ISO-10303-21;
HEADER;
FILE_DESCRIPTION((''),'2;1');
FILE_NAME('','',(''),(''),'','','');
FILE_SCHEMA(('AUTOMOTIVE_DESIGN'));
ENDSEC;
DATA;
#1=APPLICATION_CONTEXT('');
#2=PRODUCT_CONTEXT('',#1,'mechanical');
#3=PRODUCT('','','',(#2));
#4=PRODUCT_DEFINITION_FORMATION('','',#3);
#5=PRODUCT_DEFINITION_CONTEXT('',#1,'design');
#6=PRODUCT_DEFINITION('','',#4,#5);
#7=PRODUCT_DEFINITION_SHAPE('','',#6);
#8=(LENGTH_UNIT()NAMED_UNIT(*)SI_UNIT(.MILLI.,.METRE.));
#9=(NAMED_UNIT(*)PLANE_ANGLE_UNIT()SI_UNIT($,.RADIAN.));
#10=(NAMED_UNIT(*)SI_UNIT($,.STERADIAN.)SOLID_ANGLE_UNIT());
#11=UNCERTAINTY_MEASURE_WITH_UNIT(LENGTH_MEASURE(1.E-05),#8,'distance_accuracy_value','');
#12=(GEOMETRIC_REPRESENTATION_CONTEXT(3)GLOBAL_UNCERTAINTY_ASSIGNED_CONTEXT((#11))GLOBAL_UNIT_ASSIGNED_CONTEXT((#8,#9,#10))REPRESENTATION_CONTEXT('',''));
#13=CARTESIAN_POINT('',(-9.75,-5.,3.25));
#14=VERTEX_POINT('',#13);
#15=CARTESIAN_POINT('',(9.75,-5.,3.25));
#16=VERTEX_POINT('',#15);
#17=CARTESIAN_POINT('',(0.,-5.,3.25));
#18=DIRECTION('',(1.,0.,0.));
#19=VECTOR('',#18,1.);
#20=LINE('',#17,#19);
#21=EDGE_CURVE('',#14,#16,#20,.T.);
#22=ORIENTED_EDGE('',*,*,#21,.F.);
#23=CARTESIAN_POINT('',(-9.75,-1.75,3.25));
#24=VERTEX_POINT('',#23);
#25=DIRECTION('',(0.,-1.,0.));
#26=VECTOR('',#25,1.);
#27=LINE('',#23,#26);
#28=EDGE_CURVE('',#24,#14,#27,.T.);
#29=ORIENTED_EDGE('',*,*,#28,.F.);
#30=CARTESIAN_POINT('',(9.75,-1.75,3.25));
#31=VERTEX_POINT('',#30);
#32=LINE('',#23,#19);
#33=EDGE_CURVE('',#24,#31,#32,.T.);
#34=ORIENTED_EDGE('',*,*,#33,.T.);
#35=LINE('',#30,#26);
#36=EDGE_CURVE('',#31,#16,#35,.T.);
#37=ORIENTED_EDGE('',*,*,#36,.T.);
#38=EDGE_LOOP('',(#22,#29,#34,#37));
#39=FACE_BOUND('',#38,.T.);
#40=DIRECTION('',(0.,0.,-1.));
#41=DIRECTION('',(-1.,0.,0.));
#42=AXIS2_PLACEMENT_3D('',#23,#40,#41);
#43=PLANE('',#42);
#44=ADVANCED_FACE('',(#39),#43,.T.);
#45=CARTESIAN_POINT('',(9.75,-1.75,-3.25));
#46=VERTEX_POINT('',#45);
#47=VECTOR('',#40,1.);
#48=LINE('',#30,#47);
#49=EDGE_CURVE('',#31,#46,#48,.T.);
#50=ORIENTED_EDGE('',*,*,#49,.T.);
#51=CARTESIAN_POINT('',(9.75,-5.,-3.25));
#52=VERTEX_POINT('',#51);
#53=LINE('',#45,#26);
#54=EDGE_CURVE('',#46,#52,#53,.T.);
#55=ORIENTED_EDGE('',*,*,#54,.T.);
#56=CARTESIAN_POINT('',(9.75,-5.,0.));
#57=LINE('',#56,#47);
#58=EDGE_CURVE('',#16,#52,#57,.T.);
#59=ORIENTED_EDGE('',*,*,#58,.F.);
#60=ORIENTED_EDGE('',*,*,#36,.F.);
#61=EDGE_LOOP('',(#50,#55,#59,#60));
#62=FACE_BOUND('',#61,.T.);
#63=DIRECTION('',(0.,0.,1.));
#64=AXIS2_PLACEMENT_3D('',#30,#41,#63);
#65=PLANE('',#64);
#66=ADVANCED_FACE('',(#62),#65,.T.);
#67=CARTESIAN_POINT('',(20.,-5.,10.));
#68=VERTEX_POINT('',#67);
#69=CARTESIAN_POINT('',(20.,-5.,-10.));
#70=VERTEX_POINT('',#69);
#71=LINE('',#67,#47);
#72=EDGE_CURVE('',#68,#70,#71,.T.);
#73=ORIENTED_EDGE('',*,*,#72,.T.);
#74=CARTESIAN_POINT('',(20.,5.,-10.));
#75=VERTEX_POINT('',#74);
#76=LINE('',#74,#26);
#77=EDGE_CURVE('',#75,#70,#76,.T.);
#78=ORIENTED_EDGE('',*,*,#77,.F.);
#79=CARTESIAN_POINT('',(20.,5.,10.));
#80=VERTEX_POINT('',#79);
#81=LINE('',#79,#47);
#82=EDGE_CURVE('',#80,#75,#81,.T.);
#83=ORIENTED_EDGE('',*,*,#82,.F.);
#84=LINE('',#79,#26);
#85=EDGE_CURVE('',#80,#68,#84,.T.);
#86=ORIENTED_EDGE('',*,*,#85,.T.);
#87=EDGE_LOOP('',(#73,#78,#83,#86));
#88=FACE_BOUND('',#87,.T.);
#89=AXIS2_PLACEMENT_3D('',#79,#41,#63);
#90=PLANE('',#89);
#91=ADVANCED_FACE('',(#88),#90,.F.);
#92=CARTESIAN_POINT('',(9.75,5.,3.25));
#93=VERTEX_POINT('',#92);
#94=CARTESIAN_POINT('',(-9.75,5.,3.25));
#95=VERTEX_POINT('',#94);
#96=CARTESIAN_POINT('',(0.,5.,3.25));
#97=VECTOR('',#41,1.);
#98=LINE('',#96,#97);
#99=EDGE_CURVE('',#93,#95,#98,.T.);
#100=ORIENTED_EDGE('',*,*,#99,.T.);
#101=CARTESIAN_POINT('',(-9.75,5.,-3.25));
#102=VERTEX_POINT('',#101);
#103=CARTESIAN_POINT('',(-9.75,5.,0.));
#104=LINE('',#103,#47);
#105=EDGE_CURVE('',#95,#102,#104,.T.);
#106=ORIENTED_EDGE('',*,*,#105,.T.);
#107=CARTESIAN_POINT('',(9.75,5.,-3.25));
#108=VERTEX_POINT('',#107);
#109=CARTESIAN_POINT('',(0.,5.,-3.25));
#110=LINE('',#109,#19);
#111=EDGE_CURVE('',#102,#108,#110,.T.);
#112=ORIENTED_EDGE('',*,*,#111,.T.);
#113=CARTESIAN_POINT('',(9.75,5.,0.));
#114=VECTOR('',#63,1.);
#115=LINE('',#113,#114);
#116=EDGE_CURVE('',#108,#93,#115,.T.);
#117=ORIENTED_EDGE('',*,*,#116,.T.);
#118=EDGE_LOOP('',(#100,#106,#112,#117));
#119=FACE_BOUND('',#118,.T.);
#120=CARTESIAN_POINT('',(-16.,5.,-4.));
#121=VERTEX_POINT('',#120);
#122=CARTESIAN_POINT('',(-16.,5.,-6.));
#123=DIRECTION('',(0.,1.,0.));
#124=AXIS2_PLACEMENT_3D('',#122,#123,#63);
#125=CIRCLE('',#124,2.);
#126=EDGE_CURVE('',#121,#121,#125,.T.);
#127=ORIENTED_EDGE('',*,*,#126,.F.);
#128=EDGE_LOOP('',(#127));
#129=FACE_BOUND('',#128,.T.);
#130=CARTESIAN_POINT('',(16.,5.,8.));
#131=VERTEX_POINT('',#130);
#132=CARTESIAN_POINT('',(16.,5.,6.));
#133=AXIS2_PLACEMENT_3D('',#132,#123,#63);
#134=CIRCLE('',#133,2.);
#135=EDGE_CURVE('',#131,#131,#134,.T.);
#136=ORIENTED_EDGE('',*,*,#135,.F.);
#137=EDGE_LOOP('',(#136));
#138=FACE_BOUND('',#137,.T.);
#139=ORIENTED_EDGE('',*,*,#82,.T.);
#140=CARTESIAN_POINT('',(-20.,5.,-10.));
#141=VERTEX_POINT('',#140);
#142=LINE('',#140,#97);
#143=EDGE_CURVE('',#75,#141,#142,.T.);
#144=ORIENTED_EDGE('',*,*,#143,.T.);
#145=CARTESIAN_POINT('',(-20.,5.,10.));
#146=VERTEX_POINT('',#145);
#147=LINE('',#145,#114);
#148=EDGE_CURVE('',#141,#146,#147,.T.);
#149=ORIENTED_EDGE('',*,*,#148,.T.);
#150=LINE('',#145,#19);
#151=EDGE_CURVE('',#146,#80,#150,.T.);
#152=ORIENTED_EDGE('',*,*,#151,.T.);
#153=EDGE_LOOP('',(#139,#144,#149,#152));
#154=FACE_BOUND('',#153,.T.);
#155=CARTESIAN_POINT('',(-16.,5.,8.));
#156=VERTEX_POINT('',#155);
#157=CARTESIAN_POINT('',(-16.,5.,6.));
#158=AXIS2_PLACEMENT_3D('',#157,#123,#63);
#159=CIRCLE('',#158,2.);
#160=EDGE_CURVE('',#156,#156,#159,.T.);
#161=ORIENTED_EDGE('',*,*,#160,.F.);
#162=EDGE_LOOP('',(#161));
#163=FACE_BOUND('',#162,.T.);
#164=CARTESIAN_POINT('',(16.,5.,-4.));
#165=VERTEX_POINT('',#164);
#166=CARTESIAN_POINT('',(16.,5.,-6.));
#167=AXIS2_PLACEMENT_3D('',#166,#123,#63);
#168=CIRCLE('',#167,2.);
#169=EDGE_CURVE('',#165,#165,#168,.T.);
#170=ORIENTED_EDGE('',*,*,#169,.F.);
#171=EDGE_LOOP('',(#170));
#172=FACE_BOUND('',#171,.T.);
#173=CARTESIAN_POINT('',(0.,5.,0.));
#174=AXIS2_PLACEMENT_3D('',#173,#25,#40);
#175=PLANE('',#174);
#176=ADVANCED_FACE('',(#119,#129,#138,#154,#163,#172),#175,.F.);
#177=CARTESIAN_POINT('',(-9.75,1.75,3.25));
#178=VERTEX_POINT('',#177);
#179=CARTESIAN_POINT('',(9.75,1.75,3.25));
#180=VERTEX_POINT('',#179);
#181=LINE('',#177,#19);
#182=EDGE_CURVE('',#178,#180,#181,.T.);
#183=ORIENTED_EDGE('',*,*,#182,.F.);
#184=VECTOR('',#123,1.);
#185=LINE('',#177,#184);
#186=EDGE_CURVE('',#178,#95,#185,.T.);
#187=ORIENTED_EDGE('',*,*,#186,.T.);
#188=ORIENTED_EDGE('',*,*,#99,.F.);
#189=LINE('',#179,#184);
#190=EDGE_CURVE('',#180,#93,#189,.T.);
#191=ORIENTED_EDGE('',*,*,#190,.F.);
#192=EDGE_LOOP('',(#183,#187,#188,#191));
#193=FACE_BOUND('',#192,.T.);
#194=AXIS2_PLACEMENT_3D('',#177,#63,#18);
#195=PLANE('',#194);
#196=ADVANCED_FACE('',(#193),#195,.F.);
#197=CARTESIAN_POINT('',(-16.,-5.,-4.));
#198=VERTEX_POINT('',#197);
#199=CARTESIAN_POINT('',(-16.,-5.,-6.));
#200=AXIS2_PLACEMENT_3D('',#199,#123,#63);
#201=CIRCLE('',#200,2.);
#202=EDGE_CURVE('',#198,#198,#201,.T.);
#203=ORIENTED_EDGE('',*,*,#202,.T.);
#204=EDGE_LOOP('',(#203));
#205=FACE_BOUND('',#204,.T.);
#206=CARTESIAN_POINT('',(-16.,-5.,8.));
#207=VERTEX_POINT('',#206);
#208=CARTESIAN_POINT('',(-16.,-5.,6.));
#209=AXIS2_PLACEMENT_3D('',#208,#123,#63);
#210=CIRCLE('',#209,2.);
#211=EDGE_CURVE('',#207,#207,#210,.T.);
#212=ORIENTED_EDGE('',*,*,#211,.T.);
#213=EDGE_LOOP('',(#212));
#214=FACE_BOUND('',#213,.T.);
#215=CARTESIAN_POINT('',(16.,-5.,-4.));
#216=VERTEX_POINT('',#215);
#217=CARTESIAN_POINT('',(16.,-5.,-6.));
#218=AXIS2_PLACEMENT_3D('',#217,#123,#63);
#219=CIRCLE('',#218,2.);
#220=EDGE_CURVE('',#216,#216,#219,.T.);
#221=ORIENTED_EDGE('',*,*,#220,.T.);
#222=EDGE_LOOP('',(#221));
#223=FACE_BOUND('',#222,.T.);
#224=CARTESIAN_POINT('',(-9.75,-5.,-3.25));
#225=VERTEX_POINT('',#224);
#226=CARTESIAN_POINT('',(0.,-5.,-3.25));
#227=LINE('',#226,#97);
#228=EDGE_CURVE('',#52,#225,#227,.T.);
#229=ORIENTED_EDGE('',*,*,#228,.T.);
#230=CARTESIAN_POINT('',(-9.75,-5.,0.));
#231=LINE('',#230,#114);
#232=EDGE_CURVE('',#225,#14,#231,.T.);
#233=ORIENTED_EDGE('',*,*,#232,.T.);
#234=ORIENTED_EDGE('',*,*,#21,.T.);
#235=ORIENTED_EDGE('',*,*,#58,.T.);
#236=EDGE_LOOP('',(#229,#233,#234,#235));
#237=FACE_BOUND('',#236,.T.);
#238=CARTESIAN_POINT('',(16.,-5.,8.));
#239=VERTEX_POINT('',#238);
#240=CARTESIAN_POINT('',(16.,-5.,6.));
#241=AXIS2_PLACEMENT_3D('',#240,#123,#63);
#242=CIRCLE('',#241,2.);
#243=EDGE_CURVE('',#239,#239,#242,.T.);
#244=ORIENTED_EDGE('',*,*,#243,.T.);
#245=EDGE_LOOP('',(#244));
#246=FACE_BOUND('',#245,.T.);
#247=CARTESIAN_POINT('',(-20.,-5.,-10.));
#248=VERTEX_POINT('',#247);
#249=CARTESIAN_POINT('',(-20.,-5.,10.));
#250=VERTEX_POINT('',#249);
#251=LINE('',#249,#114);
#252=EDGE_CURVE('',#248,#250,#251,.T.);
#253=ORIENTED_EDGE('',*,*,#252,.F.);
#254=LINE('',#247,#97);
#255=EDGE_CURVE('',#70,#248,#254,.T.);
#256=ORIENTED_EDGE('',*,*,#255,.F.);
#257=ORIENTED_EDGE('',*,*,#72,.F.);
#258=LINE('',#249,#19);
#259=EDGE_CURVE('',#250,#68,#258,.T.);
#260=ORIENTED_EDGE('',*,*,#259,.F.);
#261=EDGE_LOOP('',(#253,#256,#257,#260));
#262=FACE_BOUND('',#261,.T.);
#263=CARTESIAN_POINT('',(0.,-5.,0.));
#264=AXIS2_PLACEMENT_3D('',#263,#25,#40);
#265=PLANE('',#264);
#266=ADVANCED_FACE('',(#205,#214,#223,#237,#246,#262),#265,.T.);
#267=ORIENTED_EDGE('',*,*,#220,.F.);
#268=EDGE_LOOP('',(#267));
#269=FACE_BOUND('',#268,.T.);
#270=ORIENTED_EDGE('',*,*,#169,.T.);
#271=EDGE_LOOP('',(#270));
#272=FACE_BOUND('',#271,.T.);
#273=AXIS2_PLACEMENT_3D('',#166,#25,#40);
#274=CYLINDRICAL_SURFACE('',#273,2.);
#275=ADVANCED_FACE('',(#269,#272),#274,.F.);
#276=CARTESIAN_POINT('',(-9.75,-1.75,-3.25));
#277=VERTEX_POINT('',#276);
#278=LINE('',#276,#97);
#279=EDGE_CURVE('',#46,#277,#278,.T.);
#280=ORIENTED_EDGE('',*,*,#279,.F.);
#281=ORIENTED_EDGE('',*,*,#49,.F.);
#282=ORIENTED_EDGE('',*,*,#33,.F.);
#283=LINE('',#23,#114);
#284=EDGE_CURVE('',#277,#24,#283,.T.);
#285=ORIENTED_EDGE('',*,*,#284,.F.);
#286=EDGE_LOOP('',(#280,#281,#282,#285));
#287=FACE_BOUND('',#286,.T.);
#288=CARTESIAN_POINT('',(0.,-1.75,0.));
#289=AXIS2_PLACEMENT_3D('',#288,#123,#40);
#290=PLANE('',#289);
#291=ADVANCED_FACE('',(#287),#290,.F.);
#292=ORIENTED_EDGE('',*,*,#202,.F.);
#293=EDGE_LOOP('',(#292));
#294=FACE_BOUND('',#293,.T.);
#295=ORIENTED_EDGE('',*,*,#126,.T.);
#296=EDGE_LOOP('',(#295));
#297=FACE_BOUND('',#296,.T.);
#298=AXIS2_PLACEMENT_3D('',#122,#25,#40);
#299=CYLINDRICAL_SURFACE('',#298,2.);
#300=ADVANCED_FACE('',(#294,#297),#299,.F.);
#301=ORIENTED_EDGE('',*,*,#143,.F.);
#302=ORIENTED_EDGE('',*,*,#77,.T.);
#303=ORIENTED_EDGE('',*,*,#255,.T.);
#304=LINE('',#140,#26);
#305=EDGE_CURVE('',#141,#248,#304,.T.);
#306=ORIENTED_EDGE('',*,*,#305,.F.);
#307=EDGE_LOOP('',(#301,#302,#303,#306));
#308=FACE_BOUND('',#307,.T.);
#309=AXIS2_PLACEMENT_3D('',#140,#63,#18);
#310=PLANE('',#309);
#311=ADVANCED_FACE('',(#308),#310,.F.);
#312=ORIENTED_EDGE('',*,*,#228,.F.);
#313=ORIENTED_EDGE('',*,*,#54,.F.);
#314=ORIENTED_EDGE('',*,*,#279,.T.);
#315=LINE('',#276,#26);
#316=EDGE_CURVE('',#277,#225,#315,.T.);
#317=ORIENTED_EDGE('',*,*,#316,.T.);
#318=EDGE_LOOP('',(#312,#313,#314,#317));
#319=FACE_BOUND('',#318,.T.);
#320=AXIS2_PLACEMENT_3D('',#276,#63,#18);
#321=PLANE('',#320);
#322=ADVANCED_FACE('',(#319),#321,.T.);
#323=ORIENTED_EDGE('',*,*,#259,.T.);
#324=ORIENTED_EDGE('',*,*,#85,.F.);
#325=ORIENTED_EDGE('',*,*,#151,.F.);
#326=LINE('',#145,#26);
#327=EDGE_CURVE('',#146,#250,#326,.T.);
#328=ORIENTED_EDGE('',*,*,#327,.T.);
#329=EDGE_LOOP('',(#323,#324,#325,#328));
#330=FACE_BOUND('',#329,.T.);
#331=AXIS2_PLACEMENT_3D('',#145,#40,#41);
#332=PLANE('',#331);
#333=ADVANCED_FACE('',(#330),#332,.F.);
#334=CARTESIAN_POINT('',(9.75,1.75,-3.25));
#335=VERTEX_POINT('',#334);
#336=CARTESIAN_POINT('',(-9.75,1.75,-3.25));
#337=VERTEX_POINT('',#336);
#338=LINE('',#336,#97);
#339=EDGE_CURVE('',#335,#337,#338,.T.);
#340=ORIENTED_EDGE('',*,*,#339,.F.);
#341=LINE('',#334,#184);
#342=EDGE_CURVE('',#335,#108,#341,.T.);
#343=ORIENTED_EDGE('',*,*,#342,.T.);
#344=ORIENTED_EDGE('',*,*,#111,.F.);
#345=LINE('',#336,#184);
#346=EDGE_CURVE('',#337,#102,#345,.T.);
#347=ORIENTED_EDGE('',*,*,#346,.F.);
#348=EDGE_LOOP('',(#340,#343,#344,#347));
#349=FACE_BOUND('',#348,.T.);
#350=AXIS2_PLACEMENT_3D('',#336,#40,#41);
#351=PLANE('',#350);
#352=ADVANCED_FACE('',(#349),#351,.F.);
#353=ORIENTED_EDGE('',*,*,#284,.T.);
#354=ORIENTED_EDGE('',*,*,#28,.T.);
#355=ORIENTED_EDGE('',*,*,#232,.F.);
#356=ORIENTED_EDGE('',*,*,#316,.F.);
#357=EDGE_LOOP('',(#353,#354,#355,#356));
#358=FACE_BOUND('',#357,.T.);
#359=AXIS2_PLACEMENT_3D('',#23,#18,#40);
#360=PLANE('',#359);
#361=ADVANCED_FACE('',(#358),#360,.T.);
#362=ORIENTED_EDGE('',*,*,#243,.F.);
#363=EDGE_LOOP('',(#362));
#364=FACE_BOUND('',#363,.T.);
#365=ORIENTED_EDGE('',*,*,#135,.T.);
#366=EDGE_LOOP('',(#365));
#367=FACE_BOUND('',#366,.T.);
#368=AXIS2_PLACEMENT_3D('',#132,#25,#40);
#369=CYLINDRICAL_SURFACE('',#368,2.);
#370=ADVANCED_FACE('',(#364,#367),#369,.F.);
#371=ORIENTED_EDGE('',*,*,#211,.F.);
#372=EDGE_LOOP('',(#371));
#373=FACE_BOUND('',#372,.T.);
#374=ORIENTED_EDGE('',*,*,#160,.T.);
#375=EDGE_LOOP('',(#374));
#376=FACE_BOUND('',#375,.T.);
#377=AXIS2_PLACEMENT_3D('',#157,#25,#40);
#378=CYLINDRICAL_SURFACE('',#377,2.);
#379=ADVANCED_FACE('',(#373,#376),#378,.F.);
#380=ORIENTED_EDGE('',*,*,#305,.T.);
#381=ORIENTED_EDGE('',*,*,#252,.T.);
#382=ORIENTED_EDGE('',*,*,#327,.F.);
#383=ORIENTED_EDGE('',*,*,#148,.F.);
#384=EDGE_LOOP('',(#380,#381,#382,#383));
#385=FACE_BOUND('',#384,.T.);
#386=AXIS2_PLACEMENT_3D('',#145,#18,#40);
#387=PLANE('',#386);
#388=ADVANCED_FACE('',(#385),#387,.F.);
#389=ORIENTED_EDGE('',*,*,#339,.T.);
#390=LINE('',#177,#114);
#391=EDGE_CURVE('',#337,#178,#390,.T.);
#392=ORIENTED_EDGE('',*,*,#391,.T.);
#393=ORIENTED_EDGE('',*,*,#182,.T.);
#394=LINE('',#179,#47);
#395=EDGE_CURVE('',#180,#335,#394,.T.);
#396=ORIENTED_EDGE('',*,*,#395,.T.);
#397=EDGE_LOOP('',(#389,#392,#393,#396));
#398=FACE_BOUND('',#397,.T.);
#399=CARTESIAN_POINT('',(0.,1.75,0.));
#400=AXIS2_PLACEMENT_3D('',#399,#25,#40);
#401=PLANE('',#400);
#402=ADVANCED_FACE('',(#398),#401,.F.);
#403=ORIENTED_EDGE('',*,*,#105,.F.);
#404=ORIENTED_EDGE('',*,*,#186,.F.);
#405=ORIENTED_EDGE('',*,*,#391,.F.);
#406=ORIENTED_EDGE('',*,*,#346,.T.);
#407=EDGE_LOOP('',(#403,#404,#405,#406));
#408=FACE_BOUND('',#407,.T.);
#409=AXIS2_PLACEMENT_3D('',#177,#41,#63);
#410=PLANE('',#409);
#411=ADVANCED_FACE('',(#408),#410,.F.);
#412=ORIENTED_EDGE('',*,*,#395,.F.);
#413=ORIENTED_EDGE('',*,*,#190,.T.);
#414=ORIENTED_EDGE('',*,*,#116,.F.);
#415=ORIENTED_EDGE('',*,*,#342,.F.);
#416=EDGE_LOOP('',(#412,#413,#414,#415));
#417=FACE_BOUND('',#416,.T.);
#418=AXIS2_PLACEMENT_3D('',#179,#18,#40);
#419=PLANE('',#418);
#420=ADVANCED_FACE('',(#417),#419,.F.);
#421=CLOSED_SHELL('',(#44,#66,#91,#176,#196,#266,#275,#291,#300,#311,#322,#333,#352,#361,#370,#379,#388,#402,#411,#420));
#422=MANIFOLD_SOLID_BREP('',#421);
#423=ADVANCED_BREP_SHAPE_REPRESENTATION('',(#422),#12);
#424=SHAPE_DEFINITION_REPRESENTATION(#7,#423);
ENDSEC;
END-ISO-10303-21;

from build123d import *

# Parameters (mm, degrees)
SKETCH1_W           = 40
SKETCH1_H           = 20
SKETCH1_R           = 2
BOSS_EXTRUDE1_DEPTH = 5
SKETCH2_W           = 19.5
SKETCH2_H           = 6.5
CUT_EXTRUDE1_DEPTH  = 3.25


with BuildPart() as part:
    # Sketch1 → Boss-Extrude1 (new, symmetric)
    with BuildSketch(Plane(origin=(0, 0, 0), x_dir=(1, 0, 0), z_dir=(0, 1, 0))):
        Rectangle(SKETCH1_W, SKETCH1_H)
        with Locations(Location((-16, 6, 0), (0, 0, 270))):
            Circle(SKETCH1_R, mode=Mode.SUBTRACT)
        with Locations(Location((16, 6, 0), (0, 0, 270))):
            Circle(SKETCH1_R, mode=Mode.SUBTRACT)
        with Locations(Location((16, -6, 0), (0, 0, 270))):
            Circle(SKETCH1_R, mode=Mode.SUBTRACT)
        with Locations(Location((-16, -6, 0), (0, 0, 270))):
            Circle(SKETCH1_R, mode=Mode.SUBTRACT)
    extrude(amount=BOSS_EXTRUDE1_DEPTH, both=True)

    # Sketch2 → Cut-Extrude1 (cut, symmetric)
    with BuildSketch(Plane(origin=(0, 5, 0), x_dir=(1, 0, 0), z_dir=(0, 1, 0))):
        Rectangle(SKETCH2_W, SKETCH2_H)
    cut_extrude1 = extrude(amount=CUT_EXTRUDE1_DEPTH, both=True, mode=Mode.SUBTRACT)

    # Mirror1: Cut-Extrude1 across plane
    add(cut_extrude1.mirror(Plane.ZX), mode=Mode.SUBTRACT)


solid = part.part
